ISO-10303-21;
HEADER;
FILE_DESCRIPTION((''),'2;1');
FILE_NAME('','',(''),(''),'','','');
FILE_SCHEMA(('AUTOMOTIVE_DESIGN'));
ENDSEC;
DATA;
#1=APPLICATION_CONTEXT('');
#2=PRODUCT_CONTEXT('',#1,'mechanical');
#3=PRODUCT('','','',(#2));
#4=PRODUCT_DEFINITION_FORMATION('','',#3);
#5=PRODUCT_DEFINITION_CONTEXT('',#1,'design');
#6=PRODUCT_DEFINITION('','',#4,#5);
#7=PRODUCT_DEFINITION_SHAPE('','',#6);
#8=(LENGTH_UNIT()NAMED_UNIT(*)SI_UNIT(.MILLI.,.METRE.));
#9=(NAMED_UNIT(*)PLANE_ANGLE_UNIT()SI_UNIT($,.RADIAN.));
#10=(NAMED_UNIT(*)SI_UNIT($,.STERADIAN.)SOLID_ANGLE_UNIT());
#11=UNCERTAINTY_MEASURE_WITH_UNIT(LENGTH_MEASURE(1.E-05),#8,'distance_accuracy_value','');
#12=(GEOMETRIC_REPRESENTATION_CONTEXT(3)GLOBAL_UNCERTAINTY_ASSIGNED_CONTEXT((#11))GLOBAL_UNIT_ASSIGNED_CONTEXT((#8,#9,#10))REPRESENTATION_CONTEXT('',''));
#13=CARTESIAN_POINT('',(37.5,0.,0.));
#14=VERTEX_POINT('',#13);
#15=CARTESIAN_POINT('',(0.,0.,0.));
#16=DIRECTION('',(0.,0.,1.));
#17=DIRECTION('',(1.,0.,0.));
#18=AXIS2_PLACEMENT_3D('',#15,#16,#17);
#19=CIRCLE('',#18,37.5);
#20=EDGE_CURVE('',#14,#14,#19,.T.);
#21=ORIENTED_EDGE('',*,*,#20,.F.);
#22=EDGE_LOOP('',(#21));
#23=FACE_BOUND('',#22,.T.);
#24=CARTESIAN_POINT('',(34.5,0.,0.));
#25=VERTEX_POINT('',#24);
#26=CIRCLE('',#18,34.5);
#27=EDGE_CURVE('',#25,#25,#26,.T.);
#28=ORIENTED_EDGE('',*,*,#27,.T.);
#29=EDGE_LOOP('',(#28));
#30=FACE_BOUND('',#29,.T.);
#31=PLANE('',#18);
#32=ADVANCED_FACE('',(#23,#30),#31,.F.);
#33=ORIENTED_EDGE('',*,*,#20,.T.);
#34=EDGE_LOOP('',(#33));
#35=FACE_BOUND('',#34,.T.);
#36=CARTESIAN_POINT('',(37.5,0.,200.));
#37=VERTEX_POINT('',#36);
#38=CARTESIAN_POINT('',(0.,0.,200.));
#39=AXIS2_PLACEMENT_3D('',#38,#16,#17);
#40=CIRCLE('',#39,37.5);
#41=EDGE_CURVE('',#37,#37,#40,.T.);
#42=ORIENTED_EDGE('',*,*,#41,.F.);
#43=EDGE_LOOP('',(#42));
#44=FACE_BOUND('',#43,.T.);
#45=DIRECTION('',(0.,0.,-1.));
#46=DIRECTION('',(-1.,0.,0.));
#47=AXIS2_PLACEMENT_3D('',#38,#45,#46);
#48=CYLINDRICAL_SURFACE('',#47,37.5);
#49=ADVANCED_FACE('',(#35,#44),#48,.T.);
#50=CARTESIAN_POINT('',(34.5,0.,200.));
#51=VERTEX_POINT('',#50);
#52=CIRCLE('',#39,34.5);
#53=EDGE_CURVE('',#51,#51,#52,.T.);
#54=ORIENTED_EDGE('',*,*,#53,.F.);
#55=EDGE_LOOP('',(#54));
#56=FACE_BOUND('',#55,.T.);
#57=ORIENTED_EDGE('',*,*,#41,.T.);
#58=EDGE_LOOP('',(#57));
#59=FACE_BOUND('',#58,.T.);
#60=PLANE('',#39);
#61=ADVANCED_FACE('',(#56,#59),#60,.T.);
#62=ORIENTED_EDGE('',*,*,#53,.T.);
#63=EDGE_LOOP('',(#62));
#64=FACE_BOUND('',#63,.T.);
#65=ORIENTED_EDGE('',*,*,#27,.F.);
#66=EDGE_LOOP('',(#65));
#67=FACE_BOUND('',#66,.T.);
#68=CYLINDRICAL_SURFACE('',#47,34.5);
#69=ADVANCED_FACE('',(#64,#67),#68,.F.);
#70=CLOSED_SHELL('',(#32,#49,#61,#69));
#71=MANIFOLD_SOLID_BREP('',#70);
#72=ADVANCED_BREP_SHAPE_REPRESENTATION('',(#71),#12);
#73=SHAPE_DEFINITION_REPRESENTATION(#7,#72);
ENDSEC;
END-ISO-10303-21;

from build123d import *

# Parameters (mm, degrees)
SKIZZE1_R                    = 37.5
SKIZZE1_R_2                  = 34.5
LINEAR_AUSTRAGEN_D_NN1_DEPTH = 200


with BuildPart() as part:
    # Skizze1 → Linear-Austragen-Dünn1 (new body)
    with BuildSketch(Plane.XY):
        Circle(SKIZZE1_R)
        Circle(SKIZZE1_R_2, mode=Mode.SUBTRACT)
    extrude(amount=LINEAR_AUSTRAGEN_D_NN1_DEPTH)


solid = part.part
